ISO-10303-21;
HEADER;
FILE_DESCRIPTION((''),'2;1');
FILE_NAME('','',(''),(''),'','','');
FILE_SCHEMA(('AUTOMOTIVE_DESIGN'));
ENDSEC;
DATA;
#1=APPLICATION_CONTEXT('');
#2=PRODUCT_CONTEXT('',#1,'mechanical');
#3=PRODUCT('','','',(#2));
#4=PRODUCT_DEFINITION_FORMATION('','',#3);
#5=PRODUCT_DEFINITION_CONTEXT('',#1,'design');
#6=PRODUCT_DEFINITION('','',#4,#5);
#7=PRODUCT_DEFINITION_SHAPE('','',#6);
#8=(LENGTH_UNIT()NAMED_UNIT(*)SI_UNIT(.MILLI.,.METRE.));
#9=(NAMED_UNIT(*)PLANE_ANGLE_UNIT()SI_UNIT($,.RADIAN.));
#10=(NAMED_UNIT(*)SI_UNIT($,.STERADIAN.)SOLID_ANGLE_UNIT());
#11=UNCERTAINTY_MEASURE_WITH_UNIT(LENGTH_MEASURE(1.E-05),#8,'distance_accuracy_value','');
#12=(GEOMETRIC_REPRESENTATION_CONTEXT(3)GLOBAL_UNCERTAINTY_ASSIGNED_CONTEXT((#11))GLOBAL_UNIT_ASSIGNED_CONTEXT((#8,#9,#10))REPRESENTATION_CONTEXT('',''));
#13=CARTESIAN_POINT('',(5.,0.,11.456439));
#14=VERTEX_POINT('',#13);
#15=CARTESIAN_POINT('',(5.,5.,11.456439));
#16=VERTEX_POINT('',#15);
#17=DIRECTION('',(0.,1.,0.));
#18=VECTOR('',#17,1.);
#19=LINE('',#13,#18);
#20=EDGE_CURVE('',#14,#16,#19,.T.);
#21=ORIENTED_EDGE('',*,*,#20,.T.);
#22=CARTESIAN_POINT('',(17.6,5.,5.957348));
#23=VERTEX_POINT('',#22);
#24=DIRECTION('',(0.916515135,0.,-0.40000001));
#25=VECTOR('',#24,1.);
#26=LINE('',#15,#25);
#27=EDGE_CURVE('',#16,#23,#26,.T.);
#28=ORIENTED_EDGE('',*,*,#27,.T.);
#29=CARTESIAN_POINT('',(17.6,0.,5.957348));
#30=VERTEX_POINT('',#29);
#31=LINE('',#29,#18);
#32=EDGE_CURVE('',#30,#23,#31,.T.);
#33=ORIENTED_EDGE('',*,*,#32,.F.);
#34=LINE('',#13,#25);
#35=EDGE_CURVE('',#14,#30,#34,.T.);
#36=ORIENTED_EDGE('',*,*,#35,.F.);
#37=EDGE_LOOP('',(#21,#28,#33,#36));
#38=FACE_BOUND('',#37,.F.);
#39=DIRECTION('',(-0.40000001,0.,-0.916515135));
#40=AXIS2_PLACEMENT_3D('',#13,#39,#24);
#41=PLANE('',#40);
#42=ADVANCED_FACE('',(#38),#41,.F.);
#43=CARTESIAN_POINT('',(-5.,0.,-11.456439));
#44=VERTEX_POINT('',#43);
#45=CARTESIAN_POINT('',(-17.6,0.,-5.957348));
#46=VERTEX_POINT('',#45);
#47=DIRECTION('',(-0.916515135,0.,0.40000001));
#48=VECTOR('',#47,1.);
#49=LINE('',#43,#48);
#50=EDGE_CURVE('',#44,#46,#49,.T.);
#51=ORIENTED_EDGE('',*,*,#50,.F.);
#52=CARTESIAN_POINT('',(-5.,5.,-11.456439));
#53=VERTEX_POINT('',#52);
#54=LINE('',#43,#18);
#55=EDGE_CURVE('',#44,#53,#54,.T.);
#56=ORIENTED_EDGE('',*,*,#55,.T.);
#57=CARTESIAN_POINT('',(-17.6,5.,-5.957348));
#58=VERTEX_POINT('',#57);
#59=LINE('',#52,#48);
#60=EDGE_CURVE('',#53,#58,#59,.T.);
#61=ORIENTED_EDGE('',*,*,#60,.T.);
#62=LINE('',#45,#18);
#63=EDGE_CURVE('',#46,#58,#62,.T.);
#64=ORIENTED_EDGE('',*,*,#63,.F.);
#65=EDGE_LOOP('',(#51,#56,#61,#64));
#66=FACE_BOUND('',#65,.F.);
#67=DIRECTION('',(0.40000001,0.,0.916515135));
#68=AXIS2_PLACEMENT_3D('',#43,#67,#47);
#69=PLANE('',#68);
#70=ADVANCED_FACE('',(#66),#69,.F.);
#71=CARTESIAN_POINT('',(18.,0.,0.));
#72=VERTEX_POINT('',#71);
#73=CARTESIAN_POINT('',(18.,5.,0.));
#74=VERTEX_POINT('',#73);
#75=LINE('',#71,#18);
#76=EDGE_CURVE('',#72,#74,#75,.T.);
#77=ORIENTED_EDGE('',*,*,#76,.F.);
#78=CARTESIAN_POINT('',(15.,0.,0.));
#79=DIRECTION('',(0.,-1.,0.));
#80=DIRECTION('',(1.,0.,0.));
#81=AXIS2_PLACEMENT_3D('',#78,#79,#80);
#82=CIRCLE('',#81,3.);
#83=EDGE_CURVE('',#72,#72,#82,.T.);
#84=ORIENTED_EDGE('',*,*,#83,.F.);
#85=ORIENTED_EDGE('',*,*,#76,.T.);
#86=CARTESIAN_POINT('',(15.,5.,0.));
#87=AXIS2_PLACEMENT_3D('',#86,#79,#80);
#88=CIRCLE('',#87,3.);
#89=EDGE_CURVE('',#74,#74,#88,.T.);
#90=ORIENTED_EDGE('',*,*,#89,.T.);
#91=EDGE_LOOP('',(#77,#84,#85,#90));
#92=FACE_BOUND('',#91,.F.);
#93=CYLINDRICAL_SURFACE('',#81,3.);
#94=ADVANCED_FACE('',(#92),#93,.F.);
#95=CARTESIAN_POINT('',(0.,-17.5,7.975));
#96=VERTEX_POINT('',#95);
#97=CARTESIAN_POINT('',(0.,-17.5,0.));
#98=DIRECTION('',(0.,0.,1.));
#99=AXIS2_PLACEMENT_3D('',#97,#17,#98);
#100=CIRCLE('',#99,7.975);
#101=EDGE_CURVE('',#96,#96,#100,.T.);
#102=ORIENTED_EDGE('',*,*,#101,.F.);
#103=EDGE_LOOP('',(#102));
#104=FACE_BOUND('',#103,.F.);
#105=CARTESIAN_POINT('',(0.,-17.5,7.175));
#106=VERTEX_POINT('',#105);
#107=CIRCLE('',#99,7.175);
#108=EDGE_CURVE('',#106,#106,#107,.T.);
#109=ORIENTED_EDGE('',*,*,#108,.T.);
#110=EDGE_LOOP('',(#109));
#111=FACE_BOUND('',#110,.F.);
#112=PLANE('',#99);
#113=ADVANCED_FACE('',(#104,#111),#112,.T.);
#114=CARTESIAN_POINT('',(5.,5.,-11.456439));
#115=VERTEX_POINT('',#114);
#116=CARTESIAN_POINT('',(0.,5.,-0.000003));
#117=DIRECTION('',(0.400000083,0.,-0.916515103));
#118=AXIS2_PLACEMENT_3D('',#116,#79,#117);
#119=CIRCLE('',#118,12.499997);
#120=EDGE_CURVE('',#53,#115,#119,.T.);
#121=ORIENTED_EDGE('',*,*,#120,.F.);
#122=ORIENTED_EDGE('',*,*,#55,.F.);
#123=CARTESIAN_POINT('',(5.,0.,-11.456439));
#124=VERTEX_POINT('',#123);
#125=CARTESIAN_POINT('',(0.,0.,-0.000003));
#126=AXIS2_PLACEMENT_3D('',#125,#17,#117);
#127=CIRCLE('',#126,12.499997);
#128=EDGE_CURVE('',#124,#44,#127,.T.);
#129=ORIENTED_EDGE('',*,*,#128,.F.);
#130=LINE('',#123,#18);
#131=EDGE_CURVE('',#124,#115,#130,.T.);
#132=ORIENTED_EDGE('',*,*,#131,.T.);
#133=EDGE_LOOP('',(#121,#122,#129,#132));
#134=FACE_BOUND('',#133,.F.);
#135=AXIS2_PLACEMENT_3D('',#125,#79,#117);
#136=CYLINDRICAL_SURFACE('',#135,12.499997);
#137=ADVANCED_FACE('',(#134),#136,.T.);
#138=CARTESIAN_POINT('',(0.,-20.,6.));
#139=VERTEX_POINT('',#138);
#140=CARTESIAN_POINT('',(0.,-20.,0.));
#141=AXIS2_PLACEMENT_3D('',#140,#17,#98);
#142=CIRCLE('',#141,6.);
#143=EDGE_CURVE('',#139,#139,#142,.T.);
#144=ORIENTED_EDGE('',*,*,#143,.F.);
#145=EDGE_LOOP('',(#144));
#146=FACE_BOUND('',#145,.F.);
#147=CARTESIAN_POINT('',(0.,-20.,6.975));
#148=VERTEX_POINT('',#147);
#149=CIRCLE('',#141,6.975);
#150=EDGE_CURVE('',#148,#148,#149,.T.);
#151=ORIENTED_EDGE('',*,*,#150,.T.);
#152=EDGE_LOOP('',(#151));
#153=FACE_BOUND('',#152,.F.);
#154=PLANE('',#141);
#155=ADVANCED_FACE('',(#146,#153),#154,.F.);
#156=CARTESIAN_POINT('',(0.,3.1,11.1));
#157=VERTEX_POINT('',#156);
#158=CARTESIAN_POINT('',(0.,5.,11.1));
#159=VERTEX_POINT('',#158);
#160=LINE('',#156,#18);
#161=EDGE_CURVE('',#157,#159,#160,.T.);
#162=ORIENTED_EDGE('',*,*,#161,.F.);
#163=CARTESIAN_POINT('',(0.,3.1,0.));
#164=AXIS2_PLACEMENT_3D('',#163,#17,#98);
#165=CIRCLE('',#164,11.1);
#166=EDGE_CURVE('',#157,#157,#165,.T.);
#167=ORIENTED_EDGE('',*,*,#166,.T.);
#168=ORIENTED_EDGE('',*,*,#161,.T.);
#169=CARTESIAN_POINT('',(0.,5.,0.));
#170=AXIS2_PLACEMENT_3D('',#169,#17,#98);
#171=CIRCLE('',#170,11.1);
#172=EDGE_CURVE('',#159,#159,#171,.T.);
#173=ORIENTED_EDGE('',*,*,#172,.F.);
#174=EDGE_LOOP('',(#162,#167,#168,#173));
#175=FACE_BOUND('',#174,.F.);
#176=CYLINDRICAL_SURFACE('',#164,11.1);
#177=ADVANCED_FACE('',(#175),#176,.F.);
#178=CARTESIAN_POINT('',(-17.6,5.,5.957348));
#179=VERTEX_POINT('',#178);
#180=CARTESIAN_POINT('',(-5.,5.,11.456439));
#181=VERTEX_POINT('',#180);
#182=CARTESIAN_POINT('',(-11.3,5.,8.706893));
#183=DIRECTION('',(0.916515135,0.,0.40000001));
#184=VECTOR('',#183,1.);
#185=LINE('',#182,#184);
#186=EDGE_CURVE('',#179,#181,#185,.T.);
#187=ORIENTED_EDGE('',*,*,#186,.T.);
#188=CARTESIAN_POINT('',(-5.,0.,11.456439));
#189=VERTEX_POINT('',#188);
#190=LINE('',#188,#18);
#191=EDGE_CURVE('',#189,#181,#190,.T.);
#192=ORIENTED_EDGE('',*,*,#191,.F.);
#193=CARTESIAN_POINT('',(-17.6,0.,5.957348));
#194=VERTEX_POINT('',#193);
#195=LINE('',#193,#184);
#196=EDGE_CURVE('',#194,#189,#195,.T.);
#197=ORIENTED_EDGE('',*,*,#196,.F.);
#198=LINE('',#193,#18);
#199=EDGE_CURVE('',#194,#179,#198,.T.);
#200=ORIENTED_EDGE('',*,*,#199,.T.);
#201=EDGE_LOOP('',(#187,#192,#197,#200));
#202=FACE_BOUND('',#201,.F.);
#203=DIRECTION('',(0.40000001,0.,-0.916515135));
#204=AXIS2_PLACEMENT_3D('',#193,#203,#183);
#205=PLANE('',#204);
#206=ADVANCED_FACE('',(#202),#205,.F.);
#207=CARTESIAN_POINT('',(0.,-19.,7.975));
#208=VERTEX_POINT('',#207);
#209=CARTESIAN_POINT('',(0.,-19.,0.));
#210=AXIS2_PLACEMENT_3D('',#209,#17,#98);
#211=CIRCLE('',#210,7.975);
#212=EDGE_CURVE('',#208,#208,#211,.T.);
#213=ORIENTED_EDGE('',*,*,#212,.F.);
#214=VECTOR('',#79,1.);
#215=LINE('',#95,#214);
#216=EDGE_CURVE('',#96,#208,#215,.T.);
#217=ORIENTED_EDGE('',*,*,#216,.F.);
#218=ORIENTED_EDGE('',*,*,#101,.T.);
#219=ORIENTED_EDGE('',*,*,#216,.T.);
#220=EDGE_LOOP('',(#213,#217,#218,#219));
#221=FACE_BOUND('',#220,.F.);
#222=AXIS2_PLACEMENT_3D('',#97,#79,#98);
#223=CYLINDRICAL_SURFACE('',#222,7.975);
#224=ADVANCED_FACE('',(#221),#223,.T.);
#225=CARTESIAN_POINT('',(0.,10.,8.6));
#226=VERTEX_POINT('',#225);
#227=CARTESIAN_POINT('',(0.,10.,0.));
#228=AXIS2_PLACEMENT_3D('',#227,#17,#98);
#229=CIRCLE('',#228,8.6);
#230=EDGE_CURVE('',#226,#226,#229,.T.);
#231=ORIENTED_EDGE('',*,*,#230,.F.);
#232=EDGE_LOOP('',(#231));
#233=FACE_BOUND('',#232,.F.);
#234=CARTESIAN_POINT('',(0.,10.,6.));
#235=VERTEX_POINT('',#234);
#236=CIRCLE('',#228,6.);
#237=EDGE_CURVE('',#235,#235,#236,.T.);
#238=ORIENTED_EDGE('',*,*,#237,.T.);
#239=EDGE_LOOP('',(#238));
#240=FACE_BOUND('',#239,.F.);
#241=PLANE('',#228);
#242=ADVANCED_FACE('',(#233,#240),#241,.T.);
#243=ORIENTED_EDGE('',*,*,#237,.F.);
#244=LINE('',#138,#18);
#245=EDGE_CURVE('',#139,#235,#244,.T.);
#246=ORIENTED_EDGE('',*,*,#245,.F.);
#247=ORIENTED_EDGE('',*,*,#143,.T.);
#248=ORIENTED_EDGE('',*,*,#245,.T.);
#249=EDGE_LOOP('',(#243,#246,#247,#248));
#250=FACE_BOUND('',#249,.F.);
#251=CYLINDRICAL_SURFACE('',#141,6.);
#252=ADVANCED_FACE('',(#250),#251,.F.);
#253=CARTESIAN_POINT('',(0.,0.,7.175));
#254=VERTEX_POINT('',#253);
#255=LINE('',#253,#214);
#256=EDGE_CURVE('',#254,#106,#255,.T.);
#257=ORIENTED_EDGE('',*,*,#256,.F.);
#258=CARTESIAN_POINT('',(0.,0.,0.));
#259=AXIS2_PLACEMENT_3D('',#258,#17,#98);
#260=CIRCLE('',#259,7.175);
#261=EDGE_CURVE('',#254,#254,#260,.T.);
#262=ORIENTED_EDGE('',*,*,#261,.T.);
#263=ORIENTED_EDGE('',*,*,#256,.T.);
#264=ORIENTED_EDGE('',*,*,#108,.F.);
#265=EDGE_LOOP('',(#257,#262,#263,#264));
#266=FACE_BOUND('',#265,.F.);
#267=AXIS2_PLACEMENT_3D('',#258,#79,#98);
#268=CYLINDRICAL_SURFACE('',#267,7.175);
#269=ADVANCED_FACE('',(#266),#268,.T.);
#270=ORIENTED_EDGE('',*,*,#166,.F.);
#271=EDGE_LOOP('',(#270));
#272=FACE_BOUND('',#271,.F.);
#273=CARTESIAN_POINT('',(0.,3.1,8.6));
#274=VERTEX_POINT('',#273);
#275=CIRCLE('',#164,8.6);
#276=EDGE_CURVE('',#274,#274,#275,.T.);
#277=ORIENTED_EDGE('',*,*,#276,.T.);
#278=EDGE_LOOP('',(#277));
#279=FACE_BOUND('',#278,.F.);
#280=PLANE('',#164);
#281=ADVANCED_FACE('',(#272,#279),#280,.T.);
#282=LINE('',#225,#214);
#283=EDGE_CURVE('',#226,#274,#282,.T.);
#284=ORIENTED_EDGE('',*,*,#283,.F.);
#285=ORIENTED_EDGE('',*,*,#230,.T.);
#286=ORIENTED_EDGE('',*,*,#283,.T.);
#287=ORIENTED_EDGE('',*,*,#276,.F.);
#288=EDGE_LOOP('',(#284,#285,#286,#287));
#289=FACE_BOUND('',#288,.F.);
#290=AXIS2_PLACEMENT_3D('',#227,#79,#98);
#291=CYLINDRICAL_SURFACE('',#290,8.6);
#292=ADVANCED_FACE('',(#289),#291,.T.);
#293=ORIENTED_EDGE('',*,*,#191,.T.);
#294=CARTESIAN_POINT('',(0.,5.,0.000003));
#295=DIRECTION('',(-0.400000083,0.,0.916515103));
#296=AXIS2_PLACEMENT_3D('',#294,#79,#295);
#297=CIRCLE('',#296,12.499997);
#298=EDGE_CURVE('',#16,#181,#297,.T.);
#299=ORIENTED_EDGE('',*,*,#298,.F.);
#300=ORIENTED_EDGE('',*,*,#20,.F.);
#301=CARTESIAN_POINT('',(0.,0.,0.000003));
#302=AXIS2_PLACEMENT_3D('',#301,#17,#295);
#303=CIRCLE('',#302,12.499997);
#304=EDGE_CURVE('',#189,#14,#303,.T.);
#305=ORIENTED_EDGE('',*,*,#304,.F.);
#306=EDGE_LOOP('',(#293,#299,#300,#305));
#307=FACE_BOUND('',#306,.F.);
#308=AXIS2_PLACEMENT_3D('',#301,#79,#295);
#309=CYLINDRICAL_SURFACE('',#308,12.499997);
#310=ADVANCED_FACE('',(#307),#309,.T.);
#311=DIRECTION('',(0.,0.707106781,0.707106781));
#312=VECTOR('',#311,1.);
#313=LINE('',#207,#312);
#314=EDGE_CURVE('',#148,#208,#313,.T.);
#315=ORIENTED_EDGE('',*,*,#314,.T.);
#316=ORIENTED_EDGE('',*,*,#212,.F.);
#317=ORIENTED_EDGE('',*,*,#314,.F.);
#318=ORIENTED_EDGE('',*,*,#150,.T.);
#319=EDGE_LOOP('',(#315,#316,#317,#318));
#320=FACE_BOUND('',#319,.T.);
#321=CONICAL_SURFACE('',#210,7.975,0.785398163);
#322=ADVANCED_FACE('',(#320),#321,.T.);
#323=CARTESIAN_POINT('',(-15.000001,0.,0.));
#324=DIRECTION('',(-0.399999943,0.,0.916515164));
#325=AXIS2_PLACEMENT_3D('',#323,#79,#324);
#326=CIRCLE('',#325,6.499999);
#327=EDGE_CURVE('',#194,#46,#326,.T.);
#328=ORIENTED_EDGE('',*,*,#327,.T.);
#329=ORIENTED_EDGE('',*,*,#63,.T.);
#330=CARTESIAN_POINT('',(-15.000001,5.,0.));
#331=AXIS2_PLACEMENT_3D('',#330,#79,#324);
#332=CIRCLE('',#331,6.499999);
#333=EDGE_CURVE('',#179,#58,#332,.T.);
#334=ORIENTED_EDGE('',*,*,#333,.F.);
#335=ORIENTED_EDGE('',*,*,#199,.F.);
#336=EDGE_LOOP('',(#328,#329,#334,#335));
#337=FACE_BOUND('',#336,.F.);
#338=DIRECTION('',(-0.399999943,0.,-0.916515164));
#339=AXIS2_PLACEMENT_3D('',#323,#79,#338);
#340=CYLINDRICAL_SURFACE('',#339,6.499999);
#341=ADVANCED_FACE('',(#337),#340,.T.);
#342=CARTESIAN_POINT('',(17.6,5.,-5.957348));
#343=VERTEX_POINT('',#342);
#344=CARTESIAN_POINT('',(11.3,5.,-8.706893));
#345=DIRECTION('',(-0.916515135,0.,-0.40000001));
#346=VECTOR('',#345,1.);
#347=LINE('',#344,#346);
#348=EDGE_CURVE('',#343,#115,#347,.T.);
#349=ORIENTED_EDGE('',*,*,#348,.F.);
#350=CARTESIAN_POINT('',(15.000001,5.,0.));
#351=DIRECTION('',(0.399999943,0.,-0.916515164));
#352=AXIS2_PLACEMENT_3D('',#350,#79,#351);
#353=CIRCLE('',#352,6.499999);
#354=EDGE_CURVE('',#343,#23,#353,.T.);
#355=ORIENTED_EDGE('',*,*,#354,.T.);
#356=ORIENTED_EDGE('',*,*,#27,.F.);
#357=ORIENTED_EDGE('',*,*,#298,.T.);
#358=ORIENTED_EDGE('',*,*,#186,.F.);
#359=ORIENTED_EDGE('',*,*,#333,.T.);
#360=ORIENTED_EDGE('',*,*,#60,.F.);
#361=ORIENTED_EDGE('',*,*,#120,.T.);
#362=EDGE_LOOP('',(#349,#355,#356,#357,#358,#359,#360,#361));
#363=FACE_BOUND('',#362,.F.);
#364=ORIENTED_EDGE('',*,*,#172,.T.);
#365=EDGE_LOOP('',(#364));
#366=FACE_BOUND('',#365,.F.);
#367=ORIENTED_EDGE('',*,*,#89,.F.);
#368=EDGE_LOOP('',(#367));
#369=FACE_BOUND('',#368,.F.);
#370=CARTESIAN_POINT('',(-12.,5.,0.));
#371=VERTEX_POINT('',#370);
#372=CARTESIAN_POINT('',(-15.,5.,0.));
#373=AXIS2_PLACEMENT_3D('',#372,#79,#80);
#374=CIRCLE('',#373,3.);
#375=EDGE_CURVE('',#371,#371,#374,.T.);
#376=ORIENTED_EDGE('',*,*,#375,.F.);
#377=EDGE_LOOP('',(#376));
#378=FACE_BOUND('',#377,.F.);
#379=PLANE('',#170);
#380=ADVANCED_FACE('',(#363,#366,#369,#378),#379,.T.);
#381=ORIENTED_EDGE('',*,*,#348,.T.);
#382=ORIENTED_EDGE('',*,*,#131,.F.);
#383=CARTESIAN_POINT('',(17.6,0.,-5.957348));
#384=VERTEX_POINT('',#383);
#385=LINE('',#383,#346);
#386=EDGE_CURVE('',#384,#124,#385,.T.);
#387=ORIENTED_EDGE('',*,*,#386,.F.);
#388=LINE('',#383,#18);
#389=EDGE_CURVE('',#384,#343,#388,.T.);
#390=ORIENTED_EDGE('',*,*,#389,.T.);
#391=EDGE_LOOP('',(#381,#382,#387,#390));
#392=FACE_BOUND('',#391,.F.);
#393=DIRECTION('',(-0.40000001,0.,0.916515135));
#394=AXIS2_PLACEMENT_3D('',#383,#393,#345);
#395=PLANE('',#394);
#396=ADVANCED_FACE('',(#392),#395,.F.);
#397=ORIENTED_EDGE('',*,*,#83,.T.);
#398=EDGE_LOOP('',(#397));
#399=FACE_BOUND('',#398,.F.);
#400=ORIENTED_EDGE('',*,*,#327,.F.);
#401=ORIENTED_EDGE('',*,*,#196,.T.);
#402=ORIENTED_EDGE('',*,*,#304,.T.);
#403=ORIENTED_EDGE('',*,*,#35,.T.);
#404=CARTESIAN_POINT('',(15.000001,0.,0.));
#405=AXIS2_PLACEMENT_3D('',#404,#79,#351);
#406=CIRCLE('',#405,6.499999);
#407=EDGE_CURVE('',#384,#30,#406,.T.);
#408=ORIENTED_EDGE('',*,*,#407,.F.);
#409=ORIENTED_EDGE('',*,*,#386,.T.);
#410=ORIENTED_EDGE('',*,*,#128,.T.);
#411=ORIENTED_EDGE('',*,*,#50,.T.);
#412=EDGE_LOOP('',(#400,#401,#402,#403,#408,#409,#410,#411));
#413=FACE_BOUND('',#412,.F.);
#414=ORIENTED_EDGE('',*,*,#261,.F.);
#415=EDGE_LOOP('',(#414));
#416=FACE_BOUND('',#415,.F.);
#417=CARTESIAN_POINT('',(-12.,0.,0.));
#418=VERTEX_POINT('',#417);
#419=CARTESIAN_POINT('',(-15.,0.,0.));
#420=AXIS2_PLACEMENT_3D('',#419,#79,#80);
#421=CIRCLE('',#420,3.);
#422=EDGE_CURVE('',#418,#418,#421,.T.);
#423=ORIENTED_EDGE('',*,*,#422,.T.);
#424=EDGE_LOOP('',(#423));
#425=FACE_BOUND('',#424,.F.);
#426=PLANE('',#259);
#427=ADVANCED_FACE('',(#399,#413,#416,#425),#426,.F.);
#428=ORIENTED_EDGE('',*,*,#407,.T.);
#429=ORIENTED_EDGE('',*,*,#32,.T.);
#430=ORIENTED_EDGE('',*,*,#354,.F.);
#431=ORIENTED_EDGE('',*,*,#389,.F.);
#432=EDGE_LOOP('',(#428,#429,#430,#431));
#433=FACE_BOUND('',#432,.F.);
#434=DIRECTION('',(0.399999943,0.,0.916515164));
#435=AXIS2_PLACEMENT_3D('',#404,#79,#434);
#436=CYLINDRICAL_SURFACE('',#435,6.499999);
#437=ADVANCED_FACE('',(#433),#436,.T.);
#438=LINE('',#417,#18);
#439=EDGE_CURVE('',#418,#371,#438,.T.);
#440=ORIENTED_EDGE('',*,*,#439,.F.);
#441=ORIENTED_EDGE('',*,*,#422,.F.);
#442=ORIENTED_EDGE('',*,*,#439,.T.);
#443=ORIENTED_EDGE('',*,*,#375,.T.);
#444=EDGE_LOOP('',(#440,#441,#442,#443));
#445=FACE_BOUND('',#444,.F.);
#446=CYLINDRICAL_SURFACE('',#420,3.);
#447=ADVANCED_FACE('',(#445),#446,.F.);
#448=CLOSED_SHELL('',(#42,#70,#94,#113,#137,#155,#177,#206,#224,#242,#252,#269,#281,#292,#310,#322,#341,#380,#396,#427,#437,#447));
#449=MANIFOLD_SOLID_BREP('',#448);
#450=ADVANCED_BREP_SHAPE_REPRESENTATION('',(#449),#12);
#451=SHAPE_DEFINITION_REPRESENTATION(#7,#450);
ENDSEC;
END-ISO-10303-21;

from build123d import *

# Parameters (mm, degrees)
F2_SIZE  = 1
F3_R     = 30
F4_DEPTH = 25
F3_R_2   = 3
F5_DEPTH = 25


with BuildPart() as f1:
    # F0 (on Right) → F1 (revolve)
    with BuildSketch(Plane.YZ):
        Polygon((-20, 7.975), (-20, 6), (10, 6), (10, 8.6), (3.1, 8.6), (3.1, 11.1), (5, 11.1), (5, 21.5), (0, 21.5), (0, 7.175), (-17.5, 7.175), (-17.5, 7.975), align=None)
    revolve(axis=Axis((0, -4.153569, 0), (0, 1, 0)))

    # F2
    f2_edges = [f1.edges().sort_by_distance(p)[0] for p in [
        (0, -20, -7.975),
    ]]
    chamfer(f2_edges, length=F2_SIZE)

    # F3 (on face) → F4 (cut)
    with BuildSketch(Plane.XZ):
        Circle(F3_R)
        with BuildLine():
            ThreePointArc((-17.6, -5.957348), (-21.5, 0), (-17.6, 5.957348))
            Line((-17.6, 5.957348), (-5, 11.456439))
            ThreePointArc((-5, 11.456439), (0, 12.5), (5, 11.456439))
            Line((5, 11.456439), (17.6, 5.957348))
            ThreePointArc((17.6, 5.957348), (21.5, 0), (17.6, -5.957348))
            Line((17.6, -5.957348), (5, -11.456439))
            ThreePointArc((5, -11.456439), (0, -12.5), (-5, -11.456439))
            Line((-5, -11.456439), (-17.6, -5.957348))
        make_face(mode=Mode.SUBTRACT)
    extrude(amount=-F4_DEPTH, mode=Mode.SUBTRACT)

    # F3 (on face) → F5 (cut)
    with BuildSketch(Plane.XZ):
        with Locations((15, 0)):
            Circle(F3_R_2)
        with Locations((-15, 0)):
            Circle(F3_R_2)
    extrude(amount=-F5_DEPTH, mode=Mode.SUBTRACT)


solid = f1.part
